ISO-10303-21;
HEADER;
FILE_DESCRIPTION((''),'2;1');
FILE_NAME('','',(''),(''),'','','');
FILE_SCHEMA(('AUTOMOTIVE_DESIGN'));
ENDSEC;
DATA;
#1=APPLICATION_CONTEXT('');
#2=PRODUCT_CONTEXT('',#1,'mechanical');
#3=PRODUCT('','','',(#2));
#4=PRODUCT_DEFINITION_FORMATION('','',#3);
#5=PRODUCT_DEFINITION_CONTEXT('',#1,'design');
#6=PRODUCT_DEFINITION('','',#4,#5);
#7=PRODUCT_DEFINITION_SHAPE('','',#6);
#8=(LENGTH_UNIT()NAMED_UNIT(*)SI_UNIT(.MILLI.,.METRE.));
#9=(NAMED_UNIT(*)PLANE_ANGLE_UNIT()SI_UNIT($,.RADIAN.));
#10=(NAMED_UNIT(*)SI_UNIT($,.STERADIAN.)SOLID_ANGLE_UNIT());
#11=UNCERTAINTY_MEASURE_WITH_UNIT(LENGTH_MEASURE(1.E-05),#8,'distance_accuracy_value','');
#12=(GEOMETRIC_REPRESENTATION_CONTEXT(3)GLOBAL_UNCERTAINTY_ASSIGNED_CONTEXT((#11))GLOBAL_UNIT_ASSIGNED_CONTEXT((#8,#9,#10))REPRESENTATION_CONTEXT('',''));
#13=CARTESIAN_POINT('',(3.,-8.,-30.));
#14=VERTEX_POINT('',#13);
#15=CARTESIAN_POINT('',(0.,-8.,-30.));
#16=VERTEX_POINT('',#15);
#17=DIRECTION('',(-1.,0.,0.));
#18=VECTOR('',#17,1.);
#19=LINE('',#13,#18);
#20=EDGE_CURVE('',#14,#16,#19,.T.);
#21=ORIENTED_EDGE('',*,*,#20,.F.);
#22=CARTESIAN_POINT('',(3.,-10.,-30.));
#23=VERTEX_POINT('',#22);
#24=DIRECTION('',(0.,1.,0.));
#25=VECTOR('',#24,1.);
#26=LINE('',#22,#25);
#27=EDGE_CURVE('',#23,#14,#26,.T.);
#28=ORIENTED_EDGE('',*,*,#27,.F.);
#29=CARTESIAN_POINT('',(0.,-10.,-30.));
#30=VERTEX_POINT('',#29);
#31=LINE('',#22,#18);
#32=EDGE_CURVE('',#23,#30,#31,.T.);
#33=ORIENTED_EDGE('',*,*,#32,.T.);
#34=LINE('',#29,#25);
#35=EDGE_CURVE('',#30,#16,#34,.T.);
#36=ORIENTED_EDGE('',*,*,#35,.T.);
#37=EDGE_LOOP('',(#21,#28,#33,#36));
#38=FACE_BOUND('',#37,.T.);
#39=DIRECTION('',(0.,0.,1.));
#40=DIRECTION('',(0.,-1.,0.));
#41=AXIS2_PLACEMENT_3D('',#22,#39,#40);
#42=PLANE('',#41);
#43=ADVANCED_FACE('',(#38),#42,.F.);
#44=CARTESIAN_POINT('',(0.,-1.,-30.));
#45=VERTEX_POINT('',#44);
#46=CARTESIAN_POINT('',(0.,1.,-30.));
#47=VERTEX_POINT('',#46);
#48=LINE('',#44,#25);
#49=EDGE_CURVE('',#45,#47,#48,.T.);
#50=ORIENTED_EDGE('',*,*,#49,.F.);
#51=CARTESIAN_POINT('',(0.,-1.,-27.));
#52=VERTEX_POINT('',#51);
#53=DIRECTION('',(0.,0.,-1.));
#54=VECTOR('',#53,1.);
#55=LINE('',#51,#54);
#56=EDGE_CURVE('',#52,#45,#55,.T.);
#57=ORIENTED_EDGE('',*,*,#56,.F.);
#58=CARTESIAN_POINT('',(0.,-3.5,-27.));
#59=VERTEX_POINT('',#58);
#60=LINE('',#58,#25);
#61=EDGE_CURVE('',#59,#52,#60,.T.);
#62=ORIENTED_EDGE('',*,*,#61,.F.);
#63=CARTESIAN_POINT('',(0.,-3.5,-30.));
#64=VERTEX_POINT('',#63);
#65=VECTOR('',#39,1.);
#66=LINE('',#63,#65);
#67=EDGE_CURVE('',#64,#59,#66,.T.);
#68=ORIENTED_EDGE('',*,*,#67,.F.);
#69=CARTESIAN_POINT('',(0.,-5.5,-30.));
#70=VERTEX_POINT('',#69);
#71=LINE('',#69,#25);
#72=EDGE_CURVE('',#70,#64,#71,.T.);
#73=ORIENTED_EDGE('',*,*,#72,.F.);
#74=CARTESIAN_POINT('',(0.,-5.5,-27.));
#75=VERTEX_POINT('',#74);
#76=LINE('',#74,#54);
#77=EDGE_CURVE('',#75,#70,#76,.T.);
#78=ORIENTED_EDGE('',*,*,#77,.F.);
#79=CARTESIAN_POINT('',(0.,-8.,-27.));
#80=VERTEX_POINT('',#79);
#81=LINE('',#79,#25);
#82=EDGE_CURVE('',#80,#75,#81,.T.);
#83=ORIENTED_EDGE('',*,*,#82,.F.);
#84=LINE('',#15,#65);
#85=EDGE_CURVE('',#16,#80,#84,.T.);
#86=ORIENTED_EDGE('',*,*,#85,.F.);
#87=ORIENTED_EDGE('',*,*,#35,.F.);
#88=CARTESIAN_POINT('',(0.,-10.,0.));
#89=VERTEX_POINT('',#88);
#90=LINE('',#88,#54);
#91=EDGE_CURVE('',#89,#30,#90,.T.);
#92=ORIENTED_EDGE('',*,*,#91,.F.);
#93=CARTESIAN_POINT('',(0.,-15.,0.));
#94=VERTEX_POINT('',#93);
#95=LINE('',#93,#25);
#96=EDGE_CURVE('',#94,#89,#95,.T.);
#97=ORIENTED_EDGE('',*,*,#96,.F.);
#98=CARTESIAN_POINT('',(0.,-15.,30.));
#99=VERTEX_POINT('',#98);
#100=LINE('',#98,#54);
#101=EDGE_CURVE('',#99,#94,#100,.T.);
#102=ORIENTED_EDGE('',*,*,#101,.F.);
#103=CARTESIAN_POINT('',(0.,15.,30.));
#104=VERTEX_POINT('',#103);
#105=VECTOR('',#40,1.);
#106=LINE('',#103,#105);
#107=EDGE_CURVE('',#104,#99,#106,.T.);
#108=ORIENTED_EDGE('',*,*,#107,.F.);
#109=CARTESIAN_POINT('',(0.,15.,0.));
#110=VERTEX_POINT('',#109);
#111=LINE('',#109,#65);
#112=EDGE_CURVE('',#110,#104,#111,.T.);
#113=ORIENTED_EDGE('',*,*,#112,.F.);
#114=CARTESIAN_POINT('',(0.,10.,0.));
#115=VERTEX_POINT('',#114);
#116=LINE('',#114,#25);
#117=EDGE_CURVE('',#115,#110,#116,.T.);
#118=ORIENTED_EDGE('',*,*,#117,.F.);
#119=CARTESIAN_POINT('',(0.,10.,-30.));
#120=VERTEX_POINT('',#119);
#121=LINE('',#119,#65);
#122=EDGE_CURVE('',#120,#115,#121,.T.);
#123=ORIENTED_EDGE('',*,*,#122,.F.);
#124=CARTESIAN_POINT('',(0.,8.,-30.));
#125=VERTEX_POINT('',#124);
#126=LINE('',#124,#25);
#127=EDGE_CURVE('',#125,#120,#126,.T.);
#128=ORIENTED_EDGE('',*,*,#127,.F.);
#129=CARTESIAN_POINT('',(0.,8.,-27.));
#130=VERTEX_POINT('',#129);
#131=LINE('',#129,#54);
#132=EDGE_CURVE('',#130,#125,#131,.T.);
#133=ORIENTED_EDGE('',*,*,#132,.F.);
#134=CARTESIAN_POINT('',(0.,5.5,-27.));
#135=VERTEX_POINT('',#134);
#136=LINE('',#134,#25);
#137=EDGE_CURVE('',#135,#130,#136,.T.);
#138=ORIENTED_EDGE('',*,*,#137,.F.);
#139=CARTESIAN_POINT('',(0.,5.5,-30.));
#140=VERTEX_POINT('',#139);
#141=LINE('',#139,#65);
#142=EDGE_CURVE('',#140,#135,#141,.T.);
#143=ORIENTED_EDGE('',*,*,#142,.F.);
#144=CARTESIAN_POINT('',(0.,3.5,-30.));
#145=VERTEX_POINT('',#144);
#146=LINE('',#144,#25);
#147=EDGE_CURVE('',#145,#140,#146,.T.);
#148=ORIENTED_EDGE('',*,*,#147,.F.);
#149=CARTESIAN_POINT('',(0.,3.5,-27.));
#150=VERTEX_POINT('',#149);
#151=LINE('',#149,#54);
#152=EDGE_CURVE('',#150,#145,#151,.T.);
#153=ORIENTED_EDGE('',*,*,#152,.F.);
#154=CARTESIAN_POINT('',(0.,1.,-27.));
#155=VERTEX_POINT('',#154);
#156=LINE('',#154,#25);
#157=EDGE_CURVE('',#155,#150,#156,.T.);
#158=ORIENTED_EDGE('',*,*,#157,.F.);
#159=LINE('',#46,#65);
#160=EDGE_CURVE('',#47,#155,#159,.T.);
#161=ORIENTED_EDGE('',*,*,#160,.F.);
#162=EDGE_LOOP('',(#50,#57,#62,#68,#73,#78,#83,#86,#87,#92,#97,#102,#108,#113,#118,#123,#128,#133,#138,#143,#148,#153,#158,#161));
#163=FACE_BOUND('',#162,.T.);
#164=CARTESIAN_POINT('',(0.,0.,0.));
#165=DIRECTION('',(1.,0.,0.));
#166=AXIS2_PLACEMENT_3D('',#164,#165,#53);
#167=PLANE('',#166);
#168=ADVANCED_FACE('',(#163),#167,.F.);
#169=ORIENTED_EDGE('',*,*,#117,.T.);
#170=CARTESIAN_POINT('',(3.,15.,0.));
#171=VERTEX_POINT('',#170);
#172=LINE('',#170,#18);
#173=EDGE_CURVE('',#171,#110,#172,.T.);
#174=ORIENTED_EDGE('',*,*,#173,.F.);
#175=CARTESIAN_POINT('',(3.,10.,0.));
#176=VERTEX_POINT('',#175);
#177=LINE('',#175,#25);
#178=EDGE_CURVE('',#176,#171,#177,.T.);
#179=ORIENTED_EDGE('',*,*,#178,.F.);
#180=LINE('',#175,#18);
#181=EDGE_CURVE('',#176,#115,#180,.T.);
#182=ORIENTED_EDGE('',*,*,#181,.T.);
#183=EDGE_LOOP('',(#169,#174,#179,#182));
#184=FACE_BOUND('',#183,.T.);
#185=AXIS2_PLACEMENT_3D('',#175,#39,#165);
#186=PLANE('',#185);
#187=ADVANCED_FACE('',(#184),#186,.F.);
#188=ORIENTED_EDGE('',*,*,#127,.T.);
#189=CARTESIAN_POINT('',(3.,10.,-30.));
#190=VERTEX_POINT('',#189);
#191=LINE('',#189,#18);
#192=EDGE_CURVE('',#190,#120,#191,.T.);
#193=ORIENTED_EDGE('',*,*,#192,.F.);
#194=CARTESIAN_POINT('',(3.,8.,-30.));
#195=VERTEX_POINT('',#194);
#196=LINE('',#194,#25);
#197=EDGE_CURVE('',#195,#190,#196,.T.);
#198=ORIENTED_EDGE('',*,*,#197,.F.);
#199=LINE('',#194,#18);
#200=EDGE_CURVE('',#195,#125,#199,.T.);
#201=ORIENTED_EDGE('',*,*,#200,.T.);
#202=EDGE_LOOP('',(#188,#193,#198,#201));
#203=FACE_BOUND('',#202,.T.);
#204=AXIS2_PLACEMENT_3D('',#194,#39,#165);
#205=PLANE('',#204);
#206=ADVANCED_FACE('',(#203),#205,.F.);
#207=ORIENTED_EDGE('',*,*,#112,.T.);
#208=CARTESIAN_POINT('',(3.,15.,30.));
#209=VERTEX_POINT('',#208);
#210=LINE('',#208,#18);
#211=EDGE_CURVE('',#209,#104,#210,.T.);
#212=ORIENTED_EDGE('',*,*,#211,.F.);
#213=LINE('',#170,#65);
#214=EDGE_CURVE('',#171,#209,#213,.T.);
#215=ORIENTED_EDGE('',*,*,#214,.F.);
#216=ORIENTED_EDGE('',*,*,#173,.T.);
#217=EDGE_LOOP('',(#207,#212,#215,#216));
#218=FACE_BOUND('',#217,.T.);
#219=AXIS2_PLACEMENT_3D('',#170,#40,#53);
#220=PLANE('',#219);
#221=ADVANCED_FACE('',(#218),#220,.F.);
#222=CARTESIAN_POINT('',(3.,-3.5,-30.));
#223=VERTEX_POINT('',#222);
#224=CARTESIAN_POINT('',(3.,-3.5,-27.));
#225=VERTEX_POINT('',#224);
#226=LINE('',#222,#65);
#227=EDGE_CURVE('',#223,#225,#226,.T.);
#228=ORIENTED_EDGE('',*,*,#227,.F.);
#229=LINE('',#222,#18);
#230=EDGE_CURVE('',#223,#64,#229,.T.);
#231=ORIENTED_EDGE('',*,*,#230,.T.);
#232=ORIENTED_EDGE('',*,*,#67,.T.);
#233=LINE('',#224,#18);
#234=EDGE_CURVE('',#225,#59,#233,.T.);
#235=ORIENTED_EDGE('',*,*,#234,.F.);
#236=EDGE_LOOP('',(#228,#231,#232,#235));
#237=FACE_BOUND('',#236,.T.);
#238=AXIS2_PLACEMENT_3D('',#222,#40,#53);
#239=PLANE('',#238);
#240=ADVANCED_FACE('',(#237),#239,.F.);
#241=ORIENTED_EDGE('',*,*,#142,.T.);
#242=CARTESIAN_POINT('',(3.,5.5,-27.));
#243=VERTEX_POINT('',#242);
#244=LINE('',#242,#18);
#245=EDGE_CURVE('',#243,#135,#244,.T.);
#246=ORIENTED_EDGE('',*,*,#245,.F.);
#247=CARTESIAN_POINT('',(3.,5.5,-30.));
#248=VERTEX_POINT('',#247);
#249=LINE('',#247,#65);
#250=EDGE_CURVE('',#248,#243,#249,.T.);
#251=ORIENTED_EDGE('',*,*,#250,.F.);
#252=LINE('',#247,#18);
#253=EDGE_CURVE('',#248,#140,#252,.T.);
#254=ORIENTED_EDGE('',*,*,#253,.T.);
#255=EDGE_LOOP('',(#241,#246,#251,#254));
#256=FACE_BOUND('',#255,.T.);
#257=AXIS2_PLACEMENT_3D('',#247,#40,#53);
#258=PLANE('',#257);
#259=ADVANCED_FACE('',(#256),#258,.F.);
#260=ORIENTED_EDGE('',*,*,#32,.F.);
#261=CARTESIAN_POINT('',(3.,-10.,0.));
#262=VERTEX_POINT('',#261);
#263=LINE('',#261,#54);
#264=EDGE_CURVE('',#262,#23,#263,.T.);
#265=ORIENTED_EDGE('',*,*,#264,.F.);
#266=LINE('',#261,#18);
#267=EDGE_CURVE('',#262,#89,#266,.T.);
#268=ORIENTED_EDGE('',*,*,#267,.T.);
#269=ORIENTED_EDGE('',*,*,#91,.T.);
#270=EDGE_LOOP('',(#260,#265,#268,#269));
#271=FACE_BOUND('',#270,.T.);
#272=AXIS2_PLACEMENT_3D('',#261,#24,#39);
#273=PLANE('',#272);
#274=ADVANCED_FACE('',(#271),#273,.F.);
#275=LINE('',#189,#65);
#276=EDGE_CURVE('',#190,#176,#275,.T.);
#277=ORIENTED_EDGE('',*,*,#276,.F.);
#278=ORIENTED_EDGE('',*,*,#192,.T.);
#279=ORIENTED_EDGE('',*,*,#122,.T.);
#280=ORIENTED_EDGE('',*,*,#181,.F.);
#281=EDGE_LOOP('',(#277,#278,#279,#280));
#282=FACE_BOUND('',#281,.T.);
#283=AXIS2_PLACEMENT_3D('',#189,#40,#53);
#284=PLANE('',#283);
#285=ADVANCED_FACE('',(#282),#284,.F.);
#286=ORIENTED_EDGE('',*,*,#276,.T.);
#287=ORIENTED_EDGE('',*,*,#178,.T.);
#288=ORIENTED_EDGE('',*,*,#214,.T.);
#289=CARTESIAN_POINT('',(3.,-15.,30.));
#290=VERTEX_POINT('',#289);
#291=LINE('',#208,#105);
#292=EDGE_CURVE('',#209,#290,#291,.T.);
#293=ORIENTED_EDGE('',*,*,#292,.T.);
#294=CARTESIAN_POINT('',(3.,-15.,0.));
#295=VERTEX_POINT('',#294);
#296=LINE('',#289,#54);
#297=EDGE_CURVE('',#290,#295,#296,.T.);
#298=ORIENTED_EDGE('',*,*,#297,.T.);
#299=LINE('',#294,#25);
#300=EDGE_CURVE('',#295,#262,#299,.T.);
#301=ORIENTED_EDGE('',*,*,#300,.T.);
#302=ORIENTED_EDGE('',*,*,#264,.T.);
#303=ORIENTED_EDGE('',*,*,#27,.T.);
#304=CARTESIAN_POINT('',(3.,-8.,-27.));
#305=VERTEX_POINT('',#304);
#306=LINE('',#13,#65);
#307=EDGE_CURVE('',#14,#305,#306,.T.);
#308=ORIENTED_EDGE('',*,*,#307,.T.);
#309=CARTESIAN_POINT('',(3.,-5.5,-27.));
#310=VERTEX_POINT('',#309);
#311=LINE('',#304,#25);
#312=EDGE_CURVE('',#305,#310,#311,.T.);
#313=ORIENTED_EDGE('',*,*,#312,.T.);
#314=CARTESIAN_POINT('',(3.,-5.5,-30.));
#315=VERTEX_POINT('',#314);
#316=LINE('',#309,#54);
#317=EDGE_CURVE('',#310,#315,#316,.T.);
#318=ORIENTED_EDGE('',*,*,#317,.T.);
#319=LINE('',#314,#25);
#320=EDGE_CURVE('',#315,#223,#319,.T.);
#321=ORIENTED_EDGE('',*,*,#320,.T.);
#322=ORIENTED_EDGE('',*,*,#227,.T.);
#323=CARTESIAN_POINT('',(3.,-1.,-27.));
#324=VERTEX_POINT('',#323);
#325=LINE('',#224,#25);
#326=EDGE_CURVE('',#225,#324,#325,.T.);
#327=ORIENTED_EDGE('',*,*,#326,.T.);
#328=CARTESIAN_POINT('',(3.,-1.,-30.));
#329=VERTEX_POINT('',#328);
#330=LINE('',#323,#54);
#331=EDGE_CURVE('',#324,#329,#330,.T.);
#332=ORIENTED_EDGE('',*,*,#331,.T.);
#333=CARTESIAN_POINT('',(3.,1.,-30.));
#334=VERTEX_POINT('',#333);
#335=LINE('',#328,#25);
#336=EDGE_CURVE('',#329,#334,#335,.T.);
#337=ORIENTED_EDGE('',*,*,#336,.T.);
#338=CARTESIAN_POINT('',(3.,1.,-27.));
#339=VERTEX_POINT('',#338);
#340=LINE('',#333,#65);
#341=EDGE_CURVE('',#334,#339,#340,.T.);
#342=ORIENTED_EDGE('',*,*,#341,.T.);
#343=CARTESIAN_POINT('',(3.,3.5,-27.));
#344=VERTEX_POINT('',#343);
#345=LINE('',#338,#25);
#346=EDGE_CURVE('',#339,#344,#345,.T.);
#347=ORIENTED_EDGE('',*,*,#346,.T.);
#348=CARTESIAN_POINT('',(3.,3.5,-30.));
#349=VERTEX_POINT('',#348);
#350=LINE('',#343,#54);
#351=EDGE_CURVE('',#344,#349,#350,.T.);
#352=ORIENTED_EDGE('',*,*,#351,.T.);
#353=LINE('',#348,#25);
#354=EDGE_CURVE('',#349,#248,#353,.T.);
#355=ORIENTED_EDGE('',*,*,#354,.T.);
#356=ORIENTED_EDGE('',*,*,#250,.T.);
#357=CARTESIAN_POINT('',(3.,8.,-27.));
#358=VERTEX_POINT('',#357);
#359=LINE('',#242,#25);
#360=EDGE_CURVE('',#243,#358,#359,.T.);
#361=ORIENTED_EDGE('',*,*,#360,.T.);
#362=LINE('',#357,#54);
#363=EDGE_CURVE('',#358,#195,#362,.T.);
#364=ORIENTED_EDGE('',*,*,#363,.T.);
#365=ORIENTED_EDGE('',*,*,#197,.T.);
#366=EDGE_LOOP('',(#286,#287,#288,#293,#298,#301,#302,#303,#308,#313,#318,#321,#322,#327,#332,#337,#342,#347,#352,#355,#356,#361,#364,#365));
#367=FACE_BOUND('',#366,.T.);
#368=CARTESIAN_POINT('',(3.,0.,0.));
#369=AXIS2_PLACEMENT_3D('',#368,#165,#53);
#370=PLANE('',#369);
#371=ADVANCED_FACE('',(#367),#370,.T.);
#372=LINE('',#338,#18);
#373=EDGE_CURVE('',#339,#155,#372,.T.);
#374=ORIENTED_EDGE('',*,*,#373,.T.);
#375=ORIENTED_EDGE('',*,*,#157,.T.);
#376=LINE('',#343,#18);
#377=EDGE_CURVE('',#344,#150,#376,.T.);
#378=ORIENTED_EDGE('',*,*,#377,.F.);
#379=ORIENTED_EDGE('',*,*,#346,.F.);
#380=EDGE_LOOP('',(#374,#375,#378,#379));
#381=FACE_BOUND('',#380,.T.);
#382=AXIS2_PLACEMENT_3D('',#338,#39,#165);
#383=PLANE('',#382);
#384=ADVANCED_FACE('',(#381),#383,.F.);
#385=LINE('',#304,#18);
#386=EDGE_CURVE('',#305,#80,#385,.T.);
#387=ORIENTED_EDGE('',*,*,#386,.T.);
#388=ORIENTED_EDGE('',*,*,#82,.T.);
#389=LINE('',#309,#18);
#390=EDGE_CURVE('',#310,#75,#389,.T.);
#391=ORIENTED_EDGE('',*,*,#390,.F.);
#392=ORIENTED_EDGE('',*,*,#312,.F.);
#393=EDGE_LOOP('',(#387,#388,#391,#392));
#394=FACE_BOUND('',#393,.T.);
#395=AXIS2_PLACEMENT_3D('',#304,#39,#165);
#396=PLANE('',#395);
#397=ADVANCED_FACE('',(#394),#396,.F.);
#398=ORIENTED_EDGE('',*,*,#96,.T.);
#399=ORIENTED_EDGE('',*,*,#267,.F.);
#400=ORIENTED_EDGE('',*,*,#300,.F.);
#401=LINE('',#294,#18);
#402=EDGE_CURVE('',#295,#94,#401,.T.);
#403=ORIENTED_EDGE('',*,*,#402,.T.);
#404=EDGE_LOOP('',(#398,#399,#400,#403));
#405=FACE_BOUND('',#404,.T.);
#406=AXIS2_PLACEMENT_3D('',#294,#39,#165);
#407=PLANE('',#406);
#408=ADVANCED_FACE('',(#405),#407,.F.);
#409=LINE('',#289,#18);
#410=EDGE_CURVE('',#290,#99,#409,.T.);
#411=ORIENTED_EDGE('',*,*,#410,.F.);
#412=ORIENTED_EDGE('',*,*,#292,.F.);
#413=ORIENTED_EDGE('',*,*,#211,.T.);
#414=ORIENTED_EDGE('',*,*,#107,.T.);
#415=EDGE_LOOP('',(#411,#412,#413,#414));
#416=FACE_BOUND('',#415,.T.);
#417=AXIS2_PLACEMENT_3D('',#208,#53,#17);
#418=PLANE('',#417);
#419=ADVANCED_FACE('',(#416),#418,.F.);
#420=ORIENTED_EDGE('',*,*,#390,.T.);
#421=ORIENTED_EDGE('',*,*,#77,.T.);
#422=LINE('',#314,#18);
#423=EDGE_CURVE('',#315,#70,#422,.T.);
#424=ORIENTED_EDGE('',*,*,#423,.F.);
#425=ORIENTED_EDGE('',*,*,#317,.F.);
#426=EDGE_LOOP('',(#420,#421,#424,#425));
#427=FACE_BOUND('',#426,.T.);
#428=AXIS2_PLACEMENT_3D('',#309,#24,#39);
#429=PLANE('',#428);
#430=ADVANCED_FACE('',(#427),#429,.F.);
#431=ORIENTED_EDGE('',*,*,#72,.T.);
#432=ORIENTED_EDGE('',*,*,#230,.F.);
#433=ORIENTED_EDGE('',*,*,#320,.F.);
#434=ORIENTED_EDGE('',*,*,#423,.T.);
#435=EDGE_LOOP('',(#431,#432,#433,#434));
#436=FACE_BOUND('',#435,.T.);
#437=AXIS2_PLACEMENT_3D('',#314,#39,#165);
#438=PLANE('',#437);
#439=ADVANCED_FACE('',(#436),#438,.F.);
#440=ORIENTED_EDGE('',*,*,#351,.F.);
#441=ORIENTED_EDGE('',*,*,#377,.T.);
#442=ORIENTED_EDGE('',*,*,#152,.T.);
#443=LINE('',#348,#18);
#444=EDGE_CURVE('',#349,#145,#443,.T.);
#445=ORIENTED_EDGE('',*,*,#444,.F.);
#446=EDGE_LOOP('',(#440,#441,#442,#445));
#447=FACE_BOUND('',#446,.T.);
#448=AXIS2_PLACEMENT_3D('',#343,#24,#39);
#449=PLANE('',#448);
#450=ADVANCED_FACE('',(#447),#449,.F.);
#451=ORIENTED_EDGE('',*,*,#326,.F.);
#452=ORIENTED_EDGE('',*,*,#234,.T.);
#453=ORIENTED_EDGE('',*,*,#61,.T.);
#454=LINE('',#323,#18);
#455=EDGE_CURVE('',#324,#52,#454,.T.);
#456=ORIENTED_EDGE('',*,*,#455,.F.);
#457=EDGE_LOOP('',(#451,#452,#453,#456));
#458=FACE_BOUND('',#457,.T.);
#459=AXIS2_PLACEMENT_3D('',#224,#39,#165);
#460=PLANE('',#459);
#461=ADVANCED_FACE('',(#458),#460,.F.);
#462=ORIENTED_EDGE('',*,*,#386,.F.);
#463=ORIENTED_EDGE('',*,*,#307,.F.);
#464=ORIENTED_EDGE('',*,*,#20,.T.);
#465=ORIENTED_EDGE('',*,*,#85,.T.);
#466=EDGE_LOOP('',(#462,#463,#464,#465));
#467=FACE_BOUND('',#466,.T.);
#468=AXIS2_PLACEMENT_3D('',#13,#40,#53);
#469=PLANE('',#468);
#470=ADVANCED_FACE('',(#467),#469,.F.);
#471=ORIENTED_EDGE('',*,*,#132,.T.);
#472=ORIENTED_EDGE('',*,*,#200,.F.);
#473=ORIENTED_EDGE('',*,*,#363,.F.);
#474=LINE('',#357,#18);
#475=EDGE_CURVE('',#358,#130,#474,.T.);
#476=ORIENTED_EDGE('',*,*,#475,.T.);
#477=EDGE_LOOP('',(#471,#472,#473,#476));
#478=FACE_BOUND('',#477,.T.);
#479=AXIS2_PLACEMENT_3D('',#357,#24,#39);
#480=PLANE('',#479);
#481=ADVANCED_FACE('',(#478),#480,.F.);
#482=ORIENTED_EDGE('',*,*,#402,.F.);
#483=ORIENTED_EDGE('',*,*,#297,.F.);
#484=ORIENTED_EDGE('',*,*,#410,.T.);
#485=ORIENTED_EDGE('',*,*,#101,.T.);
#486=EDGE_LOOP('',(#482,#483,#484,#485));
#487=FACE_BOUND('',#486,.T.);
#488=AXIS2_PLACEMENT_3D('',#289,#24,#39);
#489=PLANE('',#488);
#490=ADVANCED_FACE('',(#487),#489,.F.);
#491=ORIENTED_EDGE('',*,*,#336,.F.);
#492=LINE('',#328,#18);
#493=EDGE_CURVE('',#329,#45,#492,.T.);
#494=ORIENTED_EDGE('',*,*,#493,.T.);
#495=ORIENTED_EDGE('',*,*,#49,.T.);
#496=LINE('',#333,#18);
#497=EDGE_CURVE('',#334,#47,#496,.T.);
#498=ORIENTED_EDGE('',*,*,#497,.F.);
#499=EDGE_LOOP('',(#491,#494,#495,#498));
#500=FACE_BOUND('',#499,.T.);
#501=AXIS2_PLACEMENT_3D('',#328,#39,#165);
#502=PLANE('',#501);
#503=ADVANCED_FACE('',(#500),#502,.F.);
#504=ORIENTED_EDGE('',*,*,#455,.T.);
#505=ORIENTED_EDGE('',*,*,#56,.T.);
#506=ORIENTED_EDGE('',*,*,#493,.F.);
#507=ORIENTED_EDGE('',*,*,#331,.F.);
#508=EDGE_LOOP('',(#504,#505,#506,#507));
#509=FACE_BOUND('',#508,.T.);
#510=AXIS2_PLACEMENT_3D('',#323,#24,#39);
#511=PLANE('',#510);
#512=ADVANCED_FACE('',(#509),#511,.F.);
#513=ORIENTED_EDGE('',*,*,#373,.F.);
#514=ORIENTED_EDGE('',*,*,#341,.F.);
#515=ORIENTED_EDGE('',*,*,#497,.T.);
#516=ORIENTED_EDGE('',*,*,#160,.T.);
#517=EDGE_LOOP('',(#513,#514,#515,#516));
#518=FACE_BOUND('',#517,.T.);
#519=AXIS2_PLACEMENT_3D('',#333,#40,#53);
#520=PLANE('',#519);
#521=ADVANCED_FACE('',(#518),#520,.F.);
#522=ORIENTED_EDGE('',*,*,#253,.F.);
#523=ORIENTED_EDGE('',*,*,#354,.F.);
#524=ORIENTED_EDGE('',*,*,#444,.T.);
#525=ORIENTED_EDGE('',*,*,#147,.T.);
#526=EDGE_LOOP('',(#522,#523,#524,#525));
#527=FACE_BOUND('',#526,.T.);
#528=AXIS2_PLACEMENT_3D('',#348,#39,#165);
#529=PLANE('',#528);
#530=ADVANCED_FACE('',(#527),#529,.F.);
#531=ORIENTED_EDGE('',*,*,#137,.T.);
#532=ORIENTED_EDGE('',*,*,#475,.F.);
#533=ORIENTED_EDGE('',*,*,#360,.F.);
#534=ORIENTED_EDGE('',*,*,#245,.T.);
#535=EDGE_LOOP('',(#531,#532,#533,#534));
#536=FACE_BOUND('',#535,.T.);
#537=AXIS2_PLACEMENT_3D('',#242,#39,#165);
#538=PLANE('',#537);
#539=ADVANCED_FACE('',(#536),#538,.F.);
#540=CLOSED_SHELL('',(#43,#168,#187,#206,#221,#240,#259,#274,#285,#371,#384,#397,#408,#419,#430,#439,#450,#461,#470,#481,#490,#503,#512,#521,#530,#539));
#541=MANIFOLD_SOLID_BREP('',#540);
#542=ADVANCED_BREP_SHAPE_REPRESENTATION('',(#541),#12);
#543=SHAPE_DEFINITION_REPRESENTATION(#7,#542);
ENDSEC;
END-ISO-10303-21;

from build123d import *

# Parameters (mm, degrees)
BOSS_EXTRUDE1_DEPTH = 3


with BuildPart() as part:
    # Sketch1 → Boss-Extrude1 (new body)
    with BuildSketch(Plane(origin=(0, 0, 0), x_dir=(0, 0, -1), z_dir=(1, 0, 0))):
        Polygon((30, 10), (0, 10), (0, 15), (-30, 15), (-30, -15), (0, -15), (0, -10), (30, -10), (30, -8), (27, -8), (27, -5.5), (30, -5.5), (30, -3.5), (27, -3.5), (27, -1), (30, -1), (30, 1), (27, 1), (27, 3.5), (30, 3.5), (30, 5.5), (27, 5.5), (27, 8), (30, 8), align=None)
    extrude(amount=BOSS_EXTRUDE1_DEPTH)


solid = part.part
